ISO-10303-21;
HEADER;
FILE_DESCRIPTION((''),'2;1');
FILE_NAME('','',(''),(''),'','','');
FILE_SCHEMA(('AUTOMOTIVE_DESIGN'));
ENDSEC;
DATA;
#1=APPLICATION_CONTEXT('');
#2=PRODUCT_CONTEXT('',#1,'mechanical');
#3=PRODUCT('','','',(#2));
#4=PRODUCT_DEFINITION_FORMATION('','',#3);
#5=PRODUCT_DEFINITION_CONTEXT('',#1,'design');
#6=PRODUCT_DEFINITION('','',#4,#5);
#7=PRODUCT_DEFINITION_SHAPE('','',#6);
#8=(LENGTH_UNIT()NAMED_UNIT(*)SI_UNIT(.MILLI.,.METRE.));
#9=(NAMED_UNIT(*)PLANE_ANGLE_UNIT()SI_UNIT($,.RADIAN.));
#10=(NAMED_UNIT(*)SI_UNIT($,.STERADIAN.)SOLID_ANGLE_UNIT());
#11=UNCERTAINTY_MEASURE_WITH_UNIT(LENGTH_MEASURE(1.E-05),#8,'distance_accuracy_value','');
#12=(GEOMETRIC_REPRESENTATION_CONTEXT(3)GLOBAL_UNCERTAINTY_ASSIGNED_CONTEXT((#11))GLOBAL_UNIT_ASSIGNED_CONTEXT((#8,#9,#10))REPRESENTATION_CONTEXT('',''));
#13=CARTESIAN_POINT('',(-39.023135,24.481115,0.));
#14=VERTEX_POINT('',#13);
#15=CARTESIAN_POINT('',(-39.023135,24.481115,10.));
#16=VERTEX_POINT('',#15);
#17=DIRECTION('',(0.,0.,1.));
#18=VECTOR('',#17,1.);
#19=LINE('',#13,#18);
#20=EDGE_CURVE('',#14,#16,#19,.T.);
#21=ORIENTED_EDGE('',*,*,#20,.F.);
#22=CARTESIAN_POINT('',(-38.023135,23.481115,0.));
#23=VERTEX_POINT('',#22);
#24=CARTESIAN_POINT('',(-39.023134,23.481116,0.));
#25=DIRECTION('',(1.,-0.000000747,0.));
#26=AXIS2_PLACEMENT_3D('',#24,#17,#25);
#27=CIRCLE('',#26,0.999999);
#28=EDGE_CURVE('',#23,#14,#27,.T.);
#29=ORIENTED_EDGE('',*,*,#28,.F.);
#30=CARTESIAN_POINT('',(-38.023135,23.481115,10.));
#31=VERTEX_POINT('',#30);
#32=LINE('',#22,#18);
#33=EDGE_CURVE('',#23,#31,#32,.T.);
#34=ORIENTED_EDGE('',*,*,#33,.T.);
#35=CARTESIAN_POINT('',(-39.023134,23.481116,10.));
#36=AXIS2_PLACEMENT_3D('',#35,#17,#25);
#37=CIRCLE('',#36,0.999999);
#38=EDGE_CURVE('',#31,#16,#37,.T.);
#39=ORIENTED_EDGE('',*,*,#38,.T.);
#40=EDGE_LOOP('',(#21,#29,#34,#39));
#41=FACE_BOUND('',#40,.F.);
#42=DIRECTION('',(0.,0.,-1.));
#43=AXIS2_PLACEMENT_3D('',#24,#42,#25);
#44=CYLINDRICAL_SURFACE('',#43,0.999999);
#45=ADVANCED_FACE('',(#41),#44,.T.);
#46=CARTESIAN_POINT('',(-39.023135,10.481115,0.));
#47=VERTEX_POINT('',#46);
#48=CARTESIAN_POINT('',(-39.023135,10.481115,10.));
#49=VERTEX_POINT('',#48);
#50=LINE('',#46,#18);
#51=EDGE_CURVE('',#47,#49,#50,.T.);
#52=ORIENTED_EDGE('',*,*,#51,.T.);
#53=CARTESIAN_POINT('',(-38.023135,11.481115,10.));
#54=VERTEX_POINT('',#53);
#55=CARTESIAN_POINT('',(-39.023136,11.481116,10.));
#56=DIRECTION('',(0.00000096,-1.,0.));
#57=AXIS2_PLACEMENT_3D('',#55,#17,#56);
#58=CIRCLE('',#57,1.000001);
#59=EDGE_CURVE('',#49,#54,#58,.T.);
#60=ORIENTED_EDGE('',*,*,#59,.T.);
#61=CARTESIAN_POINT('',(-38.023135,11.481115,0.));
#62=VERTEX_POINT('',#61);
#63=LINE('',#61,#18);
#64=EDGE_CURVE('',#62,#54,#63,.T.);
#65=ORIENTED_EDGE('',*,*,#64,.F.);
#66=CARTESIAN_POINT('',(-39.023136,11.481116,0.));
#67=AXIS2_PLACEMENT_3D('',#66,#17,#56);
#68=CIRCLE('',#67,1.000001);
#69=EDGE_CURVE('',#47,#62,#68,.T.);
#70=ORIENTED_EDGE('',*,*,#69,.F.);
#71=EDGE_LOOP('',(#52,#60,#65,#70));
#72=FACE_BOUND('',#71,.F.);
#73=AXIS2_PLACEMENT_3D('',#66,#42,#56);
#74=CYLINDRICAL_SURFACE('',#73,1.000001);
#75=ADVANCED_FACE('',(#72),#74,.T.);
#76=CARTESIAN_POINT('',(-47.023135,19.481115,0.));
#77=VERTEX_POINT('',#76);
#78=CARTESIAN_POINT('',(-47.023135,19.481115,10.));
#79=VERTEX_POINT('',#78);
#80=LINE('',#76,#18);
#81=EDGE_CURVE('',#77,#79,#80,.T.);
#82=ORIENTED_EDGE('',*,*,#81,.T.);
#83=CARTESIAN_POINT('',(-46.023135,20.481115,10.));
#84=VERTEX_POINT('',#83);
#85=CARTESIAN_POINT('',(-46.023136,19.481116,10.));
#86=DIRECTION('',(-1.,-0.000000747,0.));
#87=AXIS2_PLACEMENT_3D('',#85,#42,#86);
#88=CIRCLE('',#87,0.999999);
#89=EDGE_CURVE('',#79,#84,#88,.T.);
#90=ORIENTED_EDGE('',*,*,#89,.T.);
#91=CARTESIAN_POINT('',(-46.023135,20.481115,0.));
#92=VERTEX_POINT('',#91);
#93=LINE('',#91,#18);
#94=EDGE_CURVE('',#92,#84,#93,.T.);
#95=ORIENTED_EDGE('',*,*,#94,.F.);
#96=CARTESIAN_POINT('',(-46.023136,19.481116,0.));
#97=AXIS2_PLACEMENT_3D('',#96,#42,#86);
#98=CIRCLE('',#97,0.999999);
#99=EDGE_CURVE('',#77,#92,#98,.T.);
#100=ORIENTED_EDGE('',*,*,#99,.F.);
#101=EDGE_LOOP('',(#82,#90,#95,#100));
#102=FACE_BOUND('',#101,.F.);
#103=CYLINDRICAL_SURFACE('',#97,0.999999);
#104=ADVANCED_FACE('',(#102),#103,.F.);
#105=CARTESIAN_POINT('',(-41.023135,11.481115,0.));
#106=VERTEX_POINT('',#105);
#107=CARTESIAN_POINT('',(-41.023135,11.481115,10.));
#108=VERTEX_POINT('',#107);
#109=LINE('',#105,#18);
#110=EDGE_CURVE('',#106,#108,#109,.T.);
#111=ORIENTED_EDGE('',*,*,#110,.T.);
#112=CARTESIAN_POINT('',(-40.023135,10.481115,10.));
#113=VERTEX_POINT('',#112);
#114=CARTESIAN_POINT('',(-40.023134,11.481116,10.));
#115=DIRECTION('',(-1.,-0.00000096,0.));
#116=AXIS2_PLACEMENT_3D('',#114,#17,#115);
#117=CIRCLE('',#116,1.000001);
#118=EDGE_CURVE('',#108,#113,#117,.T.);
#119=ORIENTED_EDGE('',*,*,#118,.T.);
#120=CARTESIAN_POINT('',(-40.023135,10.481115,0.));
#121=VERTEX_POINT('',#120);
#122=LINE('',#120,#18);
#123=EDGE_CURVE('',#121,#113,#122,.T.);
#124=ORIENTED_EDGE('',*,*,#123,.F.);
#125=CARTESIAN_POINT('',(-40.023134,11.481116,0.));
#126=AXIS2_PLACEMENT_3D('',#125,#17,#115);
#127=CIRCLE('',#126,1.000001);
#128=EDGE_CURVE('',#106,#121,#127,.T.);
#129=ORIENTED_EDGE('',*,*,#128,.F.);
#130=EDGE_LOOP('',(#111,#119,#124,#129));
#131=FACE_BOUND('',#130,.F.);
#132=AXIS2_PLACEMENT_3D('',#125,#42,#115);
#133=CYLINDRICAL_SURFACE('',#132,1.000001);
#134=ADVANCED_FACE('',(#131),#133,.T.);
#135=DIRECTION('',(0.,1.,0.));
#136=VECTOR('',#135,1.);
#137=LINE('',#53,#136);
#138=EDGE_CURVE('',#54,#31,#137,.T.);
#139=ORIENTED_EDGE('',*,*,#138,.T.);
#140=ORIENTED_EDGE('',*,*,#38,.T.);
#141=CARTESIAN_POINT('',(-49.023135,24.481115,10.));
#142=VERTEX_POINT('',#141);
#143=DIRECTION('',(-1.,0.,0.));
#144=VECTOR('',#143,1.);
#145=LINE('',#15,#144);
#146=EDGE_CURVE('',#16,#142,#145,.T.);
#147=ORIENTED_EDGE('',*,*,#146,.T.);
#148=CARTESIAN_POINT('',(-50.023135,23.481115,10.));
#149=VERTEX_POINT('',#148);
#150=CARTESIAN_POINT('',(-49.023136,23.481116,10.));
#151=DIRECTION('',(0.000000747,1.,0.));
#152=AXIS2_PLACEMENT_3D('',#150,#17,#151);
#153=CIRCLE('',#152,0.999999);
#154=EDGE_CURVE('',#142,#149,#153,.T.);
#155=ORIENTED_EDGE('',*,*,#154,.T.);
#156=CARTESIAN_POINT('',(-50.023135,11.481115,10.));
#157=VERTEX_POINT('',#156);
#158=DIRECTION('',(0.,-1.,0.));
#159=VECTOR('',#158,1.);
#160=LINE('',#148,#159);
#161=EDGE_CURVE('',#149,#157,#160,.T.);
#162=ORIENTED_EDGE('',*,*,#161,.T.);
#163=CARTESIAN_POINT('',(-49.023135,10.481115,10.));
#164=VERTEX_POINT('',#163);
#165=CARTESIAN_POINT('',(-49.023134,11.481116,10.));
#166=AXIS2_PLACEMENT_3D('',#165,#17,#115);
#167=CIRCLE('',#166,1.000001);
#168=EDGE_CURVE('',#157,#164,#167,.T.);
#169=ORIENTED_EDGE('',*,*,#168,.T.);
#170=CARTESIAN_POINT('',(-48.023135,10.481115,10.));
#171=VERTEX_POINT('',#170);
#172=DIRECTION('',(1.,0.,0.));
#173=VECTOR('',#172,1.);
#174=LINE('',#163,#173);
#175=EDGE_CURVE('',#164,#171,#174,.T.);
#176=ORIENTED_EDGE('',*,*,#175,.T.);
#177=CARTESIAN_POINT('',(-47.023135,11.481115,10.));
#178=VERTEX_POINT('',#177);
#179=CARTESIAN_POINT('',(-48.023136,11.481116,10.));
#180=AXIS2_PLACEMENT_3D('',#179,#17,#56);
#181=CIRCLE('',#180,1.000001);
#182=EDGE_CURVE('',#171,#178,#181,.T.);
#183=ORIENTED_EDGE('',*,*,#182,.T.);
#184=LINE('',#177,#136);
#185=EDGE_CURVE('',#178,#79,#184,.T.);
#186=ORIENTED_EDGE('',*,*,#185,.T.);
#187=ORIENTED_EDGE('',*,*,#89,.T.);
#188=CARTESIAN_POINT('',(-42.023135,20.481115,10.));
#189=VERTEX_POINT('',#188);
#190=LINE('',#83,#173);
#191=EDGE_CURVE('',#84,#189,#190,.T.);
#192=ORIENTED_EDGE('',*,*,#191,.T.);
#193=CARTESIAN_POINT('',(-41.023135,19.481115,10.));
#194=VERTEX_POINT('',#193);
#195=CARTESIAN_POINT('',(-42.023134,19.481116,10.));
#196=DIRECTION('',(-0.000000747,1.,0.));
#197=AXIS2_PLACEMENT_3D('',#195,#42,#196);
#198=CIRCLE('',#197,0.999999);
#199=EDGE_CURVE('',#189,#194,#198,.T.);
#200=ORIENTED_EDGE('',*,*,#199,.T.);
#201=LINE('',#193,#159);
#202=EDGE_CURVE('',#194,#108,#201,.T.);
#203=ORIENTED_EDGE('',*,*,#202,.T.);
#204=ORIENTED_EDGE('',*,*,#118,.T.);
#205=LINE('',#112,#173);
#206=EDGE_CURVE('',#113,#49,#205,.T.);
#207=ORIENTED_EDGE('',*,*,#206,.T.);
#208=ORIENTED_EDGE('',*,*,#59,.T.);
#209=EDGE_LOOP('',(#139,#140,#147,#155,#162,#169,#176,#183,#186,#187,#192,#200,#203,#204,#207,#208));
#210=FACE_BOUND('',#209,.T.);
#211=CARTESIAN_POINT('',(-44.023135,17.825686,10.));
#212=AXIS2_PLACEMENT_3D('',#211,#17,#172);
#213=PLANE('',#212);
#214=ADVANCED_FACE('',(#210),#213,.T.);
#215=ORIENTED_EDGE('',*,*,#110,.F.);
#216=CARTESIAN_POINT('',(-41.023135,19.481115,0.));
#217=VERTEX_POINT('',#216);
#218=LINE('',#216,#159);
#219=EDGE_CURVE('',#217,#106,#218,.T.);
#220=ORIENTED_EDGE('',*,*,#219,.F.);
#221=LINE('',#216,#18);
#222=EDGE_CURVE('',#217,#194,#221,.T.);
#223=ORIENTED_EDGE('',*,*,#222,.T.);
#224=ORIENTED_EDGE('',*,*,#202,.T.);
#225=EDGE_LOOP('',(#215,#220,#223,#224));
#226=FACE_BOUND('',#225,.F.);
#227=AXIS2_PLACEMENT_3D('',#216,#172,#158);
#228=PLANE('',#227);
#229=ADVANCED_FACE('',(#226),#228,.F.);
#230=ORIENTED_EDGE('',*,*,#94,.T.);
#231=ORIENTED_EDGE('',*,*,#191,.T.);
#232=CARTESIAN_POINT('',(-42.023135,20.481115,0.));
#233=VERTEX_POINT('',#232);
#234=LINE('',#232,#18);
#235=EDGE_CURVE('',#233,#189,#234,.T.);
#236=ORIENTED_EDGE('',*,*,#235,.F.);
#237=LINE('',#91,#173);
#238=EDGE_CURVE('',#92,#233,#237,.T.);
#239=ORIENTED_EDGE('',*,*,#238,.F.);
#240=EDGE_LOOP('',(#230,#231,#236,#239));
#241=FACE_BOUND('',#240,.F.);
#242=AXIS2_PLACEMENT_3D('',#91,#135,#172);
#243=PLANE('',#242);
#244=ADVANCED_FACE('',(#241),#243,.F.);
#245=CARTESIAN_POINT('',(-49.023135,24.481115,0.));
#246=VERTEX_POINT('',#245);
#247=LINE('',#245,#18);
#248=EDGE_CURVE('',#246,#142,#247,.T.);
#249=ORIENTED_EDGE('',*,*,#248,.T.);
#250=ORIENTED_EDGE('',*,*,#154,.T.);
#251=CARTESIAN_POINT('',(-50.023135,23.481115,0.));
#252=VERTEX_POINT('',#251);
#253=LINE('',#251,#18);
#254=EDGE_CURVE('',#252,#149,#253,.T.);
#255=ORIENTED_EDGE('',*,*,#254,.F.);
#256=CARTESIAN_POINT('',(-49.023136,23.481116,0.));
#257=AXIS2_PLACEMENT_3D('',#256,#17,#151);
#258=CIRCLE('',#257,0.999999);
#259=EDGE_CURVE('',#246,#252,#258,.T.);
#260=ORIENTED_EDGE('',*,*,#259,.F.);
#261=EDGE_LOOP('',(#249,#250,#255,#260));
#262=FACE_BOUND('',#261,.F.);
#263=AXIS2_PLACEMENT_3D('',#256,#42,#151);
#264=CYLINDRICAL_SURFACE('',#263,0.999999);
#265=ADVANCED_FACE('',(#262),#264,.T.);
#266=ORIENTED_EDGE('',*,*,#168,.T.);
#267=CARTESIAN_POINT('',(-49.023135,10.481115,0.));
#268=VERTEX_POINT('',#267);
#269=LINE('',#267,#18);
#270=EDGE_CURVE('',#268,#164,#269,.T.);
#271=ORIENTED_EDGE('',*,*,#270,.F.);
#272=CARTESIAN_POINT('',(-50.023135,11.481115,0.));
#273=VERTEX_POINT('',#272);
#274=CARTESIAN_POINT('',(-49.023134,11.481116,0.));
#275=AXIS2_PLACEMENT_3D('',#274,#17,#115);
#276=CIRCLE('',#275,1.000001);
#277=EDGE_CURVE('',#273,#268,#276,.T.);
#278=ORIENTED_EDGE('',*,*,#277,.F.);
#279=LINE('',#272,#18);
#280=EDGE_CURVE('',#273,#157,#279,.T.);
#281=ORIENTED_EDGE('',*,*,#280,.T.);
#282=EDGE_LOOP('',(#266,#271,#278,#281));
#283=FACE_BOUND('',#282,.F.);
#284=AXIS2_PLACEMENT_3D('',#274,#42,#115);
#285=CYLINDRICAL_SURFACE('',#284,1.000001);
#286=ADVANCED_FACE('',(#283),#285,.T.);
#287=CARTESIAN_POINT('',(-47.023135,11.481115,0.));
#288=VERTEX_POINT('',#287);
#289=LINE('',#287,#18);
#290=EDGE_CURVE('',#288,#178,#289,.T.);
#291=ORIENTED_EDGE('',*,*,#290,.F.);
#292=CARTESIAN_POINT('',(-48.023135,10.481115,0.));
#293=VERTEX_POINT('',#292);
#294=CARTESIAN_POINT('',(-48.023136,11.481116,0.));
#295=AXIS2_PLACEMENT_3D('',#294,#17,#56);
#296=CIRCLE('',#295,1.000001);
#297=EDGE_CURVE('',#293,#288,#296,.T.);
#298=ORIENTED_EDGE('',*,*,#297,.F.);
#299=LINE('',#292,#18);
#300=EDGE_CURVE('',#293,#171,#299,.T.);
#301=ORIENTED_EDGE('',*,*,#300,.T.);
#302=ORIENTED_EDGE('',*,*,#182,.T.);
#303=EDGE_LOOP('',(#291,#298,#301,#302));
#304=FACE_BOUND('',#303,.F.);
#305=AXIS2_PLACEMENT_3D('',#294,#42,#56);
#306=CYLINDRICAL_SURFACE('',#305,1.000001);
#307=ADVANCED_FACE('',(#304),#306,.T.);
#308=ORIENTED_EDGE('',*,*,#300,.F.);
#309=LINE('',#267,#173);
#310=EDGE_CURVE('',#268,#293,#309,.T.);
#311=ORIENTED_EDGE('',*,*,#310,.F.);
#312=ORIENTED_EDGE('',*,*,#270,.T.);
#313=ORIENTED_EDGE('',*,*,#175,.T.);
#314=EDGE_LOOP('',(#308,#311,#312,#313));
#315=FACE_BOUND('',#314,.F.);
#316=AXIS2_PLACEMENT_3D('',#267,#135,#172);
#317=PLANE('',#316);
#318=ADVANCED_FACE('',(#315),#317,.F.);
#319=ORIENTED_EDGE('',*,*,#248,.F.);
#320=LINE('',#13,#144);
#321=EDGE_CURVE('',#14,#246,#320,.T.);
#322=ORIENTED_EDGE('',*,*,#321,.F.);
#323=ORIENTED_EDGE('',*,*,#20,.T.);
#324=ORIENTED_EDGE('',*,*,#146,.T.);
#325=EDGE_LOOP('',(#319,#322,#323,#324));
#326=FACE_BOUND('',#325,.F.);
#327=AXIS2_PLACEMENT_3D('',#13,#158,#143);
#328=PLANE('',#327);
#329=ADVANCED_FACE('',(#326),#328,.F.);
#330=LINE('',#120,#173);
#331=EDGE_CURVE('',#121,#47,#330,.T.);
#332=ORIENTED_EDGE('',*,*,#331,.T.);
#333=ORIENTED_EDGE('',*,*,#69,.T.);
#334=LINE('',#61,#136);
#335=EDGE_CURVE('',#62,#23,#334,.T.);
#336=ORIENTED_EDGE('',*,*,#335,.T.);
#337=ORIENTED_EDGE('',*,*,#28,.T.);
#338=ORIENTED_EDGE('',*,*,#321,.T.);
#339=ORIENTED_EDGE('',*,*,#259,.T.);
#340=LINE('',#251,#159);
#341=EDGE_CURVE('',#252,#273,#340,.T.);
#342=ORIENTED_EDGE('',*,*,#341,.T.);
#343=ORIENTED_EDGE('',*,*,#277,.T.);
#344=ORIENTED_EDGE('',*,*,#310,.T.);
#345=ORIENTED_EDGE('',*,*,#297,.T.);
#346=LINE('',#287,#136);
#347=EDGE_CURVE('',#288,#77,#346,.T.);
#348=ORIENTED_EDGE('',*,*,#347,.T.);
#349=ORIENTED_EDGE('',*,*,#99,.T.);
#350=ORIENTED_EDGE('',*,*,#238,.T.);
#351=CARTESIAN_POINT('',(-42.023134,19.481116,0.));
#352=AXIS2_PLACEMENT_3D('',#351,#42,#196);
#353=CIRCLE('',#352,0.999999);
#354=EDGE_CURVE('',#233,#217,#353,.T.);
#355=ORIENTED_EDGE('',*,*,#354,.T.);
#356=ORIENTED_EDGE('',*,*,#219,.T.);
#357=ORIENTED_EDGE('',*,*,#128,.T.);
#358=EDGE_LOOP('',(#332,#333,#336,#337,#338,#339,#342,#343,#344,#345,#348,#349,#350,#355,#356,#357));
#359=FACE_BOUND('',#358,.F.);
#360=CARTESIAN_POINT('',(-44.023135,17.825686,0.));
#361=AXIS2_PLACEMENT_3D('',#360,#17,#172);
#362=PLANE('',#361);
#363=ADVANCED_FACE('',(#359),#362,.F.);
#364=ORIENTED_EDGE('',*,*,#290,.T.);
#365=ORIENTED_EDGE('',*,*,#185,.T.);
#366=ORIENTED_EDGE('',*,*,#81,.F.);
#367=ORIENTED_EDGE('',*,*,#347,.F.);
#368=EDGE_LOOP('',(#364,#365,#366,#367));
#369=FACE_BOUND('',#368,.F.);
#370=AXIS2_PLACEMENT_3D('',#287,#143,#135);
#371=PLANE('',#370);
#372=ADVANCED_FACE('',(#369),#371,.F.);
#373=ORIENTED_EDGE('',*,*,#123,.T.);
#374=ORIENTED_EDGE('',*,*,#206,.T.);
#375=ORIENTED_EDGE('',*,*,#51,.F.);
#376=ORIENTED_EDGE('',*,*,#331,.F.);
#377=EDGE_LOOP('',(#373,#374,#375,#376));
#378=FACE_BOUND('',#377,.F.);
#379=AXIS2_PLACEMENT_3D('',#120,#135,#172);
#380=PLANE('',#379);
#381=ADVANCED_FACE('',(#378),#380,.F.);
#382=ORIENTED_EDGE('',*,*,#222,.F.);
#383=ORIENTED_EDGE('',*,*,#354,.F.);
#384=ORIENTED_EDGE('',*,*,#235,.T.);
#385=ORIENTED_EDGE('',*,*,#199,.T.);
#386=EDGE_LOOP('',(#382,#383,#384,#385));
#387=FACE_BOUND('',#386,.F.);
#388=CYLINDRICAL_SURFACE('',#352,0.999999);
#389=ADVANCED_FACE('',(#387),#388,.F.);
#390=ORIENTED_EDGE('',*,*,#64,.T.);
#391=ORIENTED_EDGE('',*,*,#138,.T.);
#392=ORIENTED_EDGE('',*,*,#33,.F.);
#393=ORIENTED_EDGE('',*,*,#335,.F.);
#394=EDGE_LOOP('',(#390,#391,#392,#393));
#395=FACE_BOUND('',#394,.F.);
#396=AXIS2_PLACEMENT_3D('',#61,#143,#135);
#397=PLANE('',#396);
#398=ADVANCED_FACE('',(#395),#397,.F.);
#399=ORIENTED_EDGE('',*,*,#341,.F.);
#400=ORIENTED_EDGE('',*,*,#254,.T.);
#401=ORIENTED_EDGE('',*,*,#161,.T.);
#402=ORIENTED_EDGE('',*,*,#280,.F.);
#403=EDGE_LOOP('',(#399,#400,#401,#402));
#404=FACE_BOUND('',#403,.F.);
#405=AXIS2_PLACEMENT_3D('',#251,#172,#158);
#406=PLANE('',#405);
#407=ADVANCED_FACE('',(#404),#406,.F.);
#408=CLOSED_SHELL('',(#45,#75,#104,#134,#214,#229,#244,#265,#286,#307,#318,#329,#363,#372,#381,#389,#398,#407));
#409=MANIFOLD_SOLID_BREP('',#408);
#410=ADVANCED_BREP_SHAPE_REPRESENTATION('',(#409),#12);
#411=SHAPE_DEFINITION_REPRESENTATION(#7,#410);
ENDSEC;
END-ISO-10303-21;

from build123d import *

# Parameters (mm, degrees)
F1_DEPTH = 10


with BuildPart() as f1:
    # F0 (on Top) → F1 (new body)
    with BuildSketch(Plane.XY):
        with BuildLine():
            ThreePointArc((-47.023135, 19.481115), (-46.730242, 20.188222), (-46.023135, 20.481115))
            Line((-46.023135, 20.481115), (-42.023135, 20.481115))
            ThreePointArc((-42.023135, 20.481115), (-41.316028, 20.188222), (-41.023135, 19.481115))
            Line((-41.023135, 19.481115), (-41.023135, 11.481115))
            ThreePointArc((-41.023135, 11.481115), (-40.730242, 10.774009), (-40.023135, 10.481115))
            Line((-40.023135, 10.481115), (-39.023135, 10.481115))
            ThreePointArc((-39.023135, 10.481115), (-38.316028, 10.774009), (-38.023135, 11.481115))
            Line((-38.023135, 11.481115), (-38.023135, 23.481115))
            ThreePointArc((-38.023135, 23.481115), (-38.316028, 24.188222), (-39.023135, 24.481115))
            Line((-39.023135, 24.481115), (-49.023135, 24.481115))
            ThreePointArc((-49.023135, 24.481115), (-49.730242, 24.188222), (-50.023135, 23.481115))
            Line((-50.023135, 23.481115), (-50.023135, 11.481115))
            ThreePointArc((-50.023135, 11.481115), (-49.730242, 10.774009), (-49.023135, 10.481115))
            Line((-49.023135, 10.481115), (-48.023135, 10.481115))
            ThreePointArc((-48.023135, 10.481115), (-47.316028, 10.774009), (-47.023135, 11.481115))
            Line((-47.023135, 11.481115), (-47.023135, 19.481115))
        make_face()
    extrude(amount=F1_DEPTH)


solid = f1.part
